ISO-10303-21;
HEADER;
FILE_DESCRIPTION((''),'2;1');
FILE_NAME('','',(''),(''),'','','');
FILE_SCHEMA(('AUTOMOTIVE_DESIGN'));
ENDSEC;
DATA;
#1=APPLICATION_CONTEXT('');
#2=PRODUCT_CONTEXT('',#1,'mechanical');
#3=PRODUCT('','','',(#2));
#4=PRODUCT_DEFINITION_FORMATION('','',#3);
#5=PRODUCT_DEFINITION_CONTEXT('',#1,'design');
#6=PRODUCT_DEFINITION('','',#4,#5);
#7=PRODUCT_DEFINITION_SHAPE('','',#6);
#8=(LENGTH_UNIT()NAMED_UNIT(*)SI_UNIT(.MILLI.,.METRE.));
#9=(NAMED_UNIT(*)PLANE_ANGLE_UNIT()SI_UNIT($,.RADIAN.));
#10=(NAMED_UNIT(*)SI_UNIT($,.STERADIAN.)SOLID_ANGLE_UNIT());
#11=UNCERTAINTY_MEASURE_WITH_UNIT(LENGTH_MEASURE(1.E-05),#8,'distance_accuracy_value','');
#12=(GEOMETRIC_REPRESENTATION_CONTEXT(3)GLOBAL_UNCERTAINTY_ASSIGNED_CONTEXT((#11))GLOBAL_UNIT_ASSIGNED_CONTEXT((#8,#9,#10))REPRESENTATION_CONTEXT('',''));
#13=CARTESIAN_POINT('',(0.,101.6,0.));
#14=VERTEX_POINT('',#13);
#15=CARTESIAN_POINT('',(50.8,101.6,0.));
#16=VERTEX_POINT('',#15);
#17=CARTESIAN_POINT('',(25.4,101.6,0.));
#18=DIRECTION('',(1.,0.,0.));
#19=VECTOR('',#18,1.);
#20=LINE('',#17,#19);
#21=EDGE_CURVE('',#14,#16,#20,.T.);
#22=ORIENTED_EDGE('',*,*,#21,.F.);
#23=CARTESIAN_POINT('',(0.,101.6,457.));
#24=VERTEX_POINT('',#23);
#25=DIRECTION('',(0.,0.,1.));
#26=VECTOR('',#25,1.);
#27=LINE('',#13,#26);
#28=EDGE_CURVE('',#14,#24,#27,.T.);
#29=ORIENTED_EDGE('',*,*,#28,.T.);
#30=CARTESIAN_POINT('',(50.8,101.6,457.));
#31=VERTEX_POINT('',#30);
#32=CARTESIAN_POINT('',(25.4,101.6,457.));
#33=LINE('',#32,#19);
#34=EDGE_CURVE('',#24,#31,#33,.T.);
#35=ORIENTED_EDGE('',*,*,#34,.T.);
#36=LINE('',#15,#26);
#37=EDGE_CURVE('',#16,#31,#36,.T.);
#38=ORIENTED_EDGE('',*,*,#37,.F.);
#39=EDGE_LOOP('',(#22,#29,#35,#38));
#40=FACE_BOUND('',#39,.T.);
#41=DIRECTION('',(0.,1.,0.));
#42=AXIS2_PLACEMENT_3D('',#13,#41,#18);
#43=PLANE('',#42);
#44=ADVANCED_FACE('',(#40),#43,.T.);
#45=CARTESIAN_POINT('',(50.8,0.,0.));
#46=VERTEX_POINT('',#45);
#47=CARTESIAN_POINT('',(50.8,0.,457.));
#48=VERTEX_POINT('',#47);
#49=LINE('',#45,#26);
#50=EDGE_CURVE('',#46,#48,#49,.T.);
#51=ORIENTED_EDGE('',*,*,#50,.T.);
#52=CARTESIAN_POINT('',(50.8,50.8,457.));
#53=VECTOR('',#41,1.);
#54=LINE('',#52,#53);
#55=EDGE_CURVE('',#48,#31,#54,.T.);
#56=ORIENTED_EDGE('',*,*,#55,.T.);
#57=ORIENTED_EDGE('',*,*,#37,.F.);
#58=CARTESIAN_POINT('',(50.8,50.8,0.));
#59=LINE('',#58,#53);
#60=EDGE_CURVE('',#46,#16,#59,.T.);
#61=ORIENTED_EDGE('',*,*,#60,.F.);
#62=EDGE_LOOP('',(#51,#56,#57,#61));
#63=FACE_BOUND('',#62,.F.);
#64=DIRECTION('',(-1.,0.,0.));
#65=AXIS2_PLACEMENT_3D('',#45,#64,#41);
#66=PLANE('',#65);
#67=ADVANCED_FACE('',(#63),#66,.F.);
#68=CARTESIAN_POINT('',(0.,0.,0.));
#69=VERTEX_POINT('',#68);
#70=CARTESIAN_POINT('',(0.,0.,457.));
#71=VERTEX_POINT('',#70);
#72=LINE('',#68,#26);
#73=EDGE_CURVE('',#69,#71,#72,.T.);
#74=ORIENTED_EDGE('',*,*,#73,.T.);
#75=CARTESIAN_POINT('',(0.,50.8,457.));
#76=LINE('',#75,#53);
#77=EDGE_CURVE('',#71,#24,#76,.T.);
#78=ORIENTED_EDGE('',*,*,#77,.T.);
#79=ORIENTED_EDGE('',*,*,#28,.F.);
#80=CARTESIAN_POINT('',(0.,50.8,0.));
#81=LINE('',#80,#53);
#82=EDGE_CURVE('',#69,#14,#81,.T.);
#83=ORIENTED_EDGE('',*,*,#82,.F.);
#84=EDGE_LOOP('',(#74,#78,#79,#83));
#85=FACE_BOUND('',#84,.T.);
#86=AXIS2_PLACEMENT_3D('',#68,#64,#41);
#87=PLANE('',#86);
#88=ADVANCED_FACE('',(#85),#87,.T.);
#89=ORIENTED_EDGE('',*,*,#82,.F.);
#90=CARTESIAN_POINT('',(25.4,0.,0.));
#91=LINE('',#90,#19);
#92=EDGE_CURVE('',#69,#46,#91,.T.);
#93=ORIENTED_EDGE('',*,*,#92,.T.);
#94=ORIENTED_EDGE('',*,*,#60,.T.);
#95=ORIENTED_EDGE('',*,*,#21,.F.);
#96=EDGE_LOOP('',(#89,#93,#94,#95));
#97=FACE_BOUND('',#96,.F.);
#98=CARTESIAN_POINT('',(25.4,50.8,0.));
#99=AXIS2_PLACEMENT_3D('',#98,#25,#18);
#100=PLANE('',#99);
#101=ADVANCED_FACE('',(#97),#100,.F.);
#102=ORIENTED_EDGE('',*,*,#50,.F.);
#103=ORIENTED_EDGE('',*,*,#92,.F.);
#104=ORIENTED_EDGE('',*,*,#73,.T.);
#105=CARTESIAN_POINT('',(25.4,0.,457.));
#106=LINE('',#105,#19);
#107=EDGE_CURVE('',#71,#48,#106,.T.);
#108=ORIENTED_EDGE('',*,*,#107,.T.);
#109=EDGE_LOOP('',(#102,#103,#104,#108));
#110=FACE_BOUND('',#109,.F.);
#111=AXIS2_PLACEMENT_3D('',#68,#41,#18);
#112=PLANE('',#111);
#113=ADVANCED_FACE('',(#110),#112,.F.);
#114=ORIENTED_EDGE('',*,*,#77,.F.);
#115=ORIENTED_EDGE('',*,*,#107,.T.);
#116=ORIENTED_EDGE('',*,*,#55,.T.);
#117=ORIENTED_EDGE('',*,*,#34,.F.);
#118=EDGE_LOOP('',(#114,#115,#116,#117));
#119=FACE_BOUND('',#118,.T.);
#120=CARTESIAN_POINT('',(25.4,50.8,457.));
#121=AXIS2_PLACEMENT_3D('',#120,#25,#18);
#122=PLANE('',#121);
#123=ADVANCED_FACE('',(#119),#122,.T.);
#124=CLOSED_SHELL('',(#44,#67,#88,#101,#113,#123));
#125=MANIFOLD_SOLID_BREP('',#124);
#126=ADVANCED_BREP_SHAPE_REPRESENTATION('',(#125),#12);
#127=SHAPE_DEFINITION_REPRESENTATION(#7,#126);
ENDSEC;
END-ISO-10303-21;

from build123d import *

# Parameters (mm, degrees)
SKETCH_W  = 50.8
SKETCH_H  = 101.6
PAD_DEPTH = 457


with BuildPart() as part:
    # Sketch → Pad (new body)
    with BuildSketch(Plane.XY):
        with Locations((25.4, 50.8)):
            Rectangle(SKETCH_W, SKETCH_H)
    extrude(amount=PAD_DEPTH)


solid = part.part
